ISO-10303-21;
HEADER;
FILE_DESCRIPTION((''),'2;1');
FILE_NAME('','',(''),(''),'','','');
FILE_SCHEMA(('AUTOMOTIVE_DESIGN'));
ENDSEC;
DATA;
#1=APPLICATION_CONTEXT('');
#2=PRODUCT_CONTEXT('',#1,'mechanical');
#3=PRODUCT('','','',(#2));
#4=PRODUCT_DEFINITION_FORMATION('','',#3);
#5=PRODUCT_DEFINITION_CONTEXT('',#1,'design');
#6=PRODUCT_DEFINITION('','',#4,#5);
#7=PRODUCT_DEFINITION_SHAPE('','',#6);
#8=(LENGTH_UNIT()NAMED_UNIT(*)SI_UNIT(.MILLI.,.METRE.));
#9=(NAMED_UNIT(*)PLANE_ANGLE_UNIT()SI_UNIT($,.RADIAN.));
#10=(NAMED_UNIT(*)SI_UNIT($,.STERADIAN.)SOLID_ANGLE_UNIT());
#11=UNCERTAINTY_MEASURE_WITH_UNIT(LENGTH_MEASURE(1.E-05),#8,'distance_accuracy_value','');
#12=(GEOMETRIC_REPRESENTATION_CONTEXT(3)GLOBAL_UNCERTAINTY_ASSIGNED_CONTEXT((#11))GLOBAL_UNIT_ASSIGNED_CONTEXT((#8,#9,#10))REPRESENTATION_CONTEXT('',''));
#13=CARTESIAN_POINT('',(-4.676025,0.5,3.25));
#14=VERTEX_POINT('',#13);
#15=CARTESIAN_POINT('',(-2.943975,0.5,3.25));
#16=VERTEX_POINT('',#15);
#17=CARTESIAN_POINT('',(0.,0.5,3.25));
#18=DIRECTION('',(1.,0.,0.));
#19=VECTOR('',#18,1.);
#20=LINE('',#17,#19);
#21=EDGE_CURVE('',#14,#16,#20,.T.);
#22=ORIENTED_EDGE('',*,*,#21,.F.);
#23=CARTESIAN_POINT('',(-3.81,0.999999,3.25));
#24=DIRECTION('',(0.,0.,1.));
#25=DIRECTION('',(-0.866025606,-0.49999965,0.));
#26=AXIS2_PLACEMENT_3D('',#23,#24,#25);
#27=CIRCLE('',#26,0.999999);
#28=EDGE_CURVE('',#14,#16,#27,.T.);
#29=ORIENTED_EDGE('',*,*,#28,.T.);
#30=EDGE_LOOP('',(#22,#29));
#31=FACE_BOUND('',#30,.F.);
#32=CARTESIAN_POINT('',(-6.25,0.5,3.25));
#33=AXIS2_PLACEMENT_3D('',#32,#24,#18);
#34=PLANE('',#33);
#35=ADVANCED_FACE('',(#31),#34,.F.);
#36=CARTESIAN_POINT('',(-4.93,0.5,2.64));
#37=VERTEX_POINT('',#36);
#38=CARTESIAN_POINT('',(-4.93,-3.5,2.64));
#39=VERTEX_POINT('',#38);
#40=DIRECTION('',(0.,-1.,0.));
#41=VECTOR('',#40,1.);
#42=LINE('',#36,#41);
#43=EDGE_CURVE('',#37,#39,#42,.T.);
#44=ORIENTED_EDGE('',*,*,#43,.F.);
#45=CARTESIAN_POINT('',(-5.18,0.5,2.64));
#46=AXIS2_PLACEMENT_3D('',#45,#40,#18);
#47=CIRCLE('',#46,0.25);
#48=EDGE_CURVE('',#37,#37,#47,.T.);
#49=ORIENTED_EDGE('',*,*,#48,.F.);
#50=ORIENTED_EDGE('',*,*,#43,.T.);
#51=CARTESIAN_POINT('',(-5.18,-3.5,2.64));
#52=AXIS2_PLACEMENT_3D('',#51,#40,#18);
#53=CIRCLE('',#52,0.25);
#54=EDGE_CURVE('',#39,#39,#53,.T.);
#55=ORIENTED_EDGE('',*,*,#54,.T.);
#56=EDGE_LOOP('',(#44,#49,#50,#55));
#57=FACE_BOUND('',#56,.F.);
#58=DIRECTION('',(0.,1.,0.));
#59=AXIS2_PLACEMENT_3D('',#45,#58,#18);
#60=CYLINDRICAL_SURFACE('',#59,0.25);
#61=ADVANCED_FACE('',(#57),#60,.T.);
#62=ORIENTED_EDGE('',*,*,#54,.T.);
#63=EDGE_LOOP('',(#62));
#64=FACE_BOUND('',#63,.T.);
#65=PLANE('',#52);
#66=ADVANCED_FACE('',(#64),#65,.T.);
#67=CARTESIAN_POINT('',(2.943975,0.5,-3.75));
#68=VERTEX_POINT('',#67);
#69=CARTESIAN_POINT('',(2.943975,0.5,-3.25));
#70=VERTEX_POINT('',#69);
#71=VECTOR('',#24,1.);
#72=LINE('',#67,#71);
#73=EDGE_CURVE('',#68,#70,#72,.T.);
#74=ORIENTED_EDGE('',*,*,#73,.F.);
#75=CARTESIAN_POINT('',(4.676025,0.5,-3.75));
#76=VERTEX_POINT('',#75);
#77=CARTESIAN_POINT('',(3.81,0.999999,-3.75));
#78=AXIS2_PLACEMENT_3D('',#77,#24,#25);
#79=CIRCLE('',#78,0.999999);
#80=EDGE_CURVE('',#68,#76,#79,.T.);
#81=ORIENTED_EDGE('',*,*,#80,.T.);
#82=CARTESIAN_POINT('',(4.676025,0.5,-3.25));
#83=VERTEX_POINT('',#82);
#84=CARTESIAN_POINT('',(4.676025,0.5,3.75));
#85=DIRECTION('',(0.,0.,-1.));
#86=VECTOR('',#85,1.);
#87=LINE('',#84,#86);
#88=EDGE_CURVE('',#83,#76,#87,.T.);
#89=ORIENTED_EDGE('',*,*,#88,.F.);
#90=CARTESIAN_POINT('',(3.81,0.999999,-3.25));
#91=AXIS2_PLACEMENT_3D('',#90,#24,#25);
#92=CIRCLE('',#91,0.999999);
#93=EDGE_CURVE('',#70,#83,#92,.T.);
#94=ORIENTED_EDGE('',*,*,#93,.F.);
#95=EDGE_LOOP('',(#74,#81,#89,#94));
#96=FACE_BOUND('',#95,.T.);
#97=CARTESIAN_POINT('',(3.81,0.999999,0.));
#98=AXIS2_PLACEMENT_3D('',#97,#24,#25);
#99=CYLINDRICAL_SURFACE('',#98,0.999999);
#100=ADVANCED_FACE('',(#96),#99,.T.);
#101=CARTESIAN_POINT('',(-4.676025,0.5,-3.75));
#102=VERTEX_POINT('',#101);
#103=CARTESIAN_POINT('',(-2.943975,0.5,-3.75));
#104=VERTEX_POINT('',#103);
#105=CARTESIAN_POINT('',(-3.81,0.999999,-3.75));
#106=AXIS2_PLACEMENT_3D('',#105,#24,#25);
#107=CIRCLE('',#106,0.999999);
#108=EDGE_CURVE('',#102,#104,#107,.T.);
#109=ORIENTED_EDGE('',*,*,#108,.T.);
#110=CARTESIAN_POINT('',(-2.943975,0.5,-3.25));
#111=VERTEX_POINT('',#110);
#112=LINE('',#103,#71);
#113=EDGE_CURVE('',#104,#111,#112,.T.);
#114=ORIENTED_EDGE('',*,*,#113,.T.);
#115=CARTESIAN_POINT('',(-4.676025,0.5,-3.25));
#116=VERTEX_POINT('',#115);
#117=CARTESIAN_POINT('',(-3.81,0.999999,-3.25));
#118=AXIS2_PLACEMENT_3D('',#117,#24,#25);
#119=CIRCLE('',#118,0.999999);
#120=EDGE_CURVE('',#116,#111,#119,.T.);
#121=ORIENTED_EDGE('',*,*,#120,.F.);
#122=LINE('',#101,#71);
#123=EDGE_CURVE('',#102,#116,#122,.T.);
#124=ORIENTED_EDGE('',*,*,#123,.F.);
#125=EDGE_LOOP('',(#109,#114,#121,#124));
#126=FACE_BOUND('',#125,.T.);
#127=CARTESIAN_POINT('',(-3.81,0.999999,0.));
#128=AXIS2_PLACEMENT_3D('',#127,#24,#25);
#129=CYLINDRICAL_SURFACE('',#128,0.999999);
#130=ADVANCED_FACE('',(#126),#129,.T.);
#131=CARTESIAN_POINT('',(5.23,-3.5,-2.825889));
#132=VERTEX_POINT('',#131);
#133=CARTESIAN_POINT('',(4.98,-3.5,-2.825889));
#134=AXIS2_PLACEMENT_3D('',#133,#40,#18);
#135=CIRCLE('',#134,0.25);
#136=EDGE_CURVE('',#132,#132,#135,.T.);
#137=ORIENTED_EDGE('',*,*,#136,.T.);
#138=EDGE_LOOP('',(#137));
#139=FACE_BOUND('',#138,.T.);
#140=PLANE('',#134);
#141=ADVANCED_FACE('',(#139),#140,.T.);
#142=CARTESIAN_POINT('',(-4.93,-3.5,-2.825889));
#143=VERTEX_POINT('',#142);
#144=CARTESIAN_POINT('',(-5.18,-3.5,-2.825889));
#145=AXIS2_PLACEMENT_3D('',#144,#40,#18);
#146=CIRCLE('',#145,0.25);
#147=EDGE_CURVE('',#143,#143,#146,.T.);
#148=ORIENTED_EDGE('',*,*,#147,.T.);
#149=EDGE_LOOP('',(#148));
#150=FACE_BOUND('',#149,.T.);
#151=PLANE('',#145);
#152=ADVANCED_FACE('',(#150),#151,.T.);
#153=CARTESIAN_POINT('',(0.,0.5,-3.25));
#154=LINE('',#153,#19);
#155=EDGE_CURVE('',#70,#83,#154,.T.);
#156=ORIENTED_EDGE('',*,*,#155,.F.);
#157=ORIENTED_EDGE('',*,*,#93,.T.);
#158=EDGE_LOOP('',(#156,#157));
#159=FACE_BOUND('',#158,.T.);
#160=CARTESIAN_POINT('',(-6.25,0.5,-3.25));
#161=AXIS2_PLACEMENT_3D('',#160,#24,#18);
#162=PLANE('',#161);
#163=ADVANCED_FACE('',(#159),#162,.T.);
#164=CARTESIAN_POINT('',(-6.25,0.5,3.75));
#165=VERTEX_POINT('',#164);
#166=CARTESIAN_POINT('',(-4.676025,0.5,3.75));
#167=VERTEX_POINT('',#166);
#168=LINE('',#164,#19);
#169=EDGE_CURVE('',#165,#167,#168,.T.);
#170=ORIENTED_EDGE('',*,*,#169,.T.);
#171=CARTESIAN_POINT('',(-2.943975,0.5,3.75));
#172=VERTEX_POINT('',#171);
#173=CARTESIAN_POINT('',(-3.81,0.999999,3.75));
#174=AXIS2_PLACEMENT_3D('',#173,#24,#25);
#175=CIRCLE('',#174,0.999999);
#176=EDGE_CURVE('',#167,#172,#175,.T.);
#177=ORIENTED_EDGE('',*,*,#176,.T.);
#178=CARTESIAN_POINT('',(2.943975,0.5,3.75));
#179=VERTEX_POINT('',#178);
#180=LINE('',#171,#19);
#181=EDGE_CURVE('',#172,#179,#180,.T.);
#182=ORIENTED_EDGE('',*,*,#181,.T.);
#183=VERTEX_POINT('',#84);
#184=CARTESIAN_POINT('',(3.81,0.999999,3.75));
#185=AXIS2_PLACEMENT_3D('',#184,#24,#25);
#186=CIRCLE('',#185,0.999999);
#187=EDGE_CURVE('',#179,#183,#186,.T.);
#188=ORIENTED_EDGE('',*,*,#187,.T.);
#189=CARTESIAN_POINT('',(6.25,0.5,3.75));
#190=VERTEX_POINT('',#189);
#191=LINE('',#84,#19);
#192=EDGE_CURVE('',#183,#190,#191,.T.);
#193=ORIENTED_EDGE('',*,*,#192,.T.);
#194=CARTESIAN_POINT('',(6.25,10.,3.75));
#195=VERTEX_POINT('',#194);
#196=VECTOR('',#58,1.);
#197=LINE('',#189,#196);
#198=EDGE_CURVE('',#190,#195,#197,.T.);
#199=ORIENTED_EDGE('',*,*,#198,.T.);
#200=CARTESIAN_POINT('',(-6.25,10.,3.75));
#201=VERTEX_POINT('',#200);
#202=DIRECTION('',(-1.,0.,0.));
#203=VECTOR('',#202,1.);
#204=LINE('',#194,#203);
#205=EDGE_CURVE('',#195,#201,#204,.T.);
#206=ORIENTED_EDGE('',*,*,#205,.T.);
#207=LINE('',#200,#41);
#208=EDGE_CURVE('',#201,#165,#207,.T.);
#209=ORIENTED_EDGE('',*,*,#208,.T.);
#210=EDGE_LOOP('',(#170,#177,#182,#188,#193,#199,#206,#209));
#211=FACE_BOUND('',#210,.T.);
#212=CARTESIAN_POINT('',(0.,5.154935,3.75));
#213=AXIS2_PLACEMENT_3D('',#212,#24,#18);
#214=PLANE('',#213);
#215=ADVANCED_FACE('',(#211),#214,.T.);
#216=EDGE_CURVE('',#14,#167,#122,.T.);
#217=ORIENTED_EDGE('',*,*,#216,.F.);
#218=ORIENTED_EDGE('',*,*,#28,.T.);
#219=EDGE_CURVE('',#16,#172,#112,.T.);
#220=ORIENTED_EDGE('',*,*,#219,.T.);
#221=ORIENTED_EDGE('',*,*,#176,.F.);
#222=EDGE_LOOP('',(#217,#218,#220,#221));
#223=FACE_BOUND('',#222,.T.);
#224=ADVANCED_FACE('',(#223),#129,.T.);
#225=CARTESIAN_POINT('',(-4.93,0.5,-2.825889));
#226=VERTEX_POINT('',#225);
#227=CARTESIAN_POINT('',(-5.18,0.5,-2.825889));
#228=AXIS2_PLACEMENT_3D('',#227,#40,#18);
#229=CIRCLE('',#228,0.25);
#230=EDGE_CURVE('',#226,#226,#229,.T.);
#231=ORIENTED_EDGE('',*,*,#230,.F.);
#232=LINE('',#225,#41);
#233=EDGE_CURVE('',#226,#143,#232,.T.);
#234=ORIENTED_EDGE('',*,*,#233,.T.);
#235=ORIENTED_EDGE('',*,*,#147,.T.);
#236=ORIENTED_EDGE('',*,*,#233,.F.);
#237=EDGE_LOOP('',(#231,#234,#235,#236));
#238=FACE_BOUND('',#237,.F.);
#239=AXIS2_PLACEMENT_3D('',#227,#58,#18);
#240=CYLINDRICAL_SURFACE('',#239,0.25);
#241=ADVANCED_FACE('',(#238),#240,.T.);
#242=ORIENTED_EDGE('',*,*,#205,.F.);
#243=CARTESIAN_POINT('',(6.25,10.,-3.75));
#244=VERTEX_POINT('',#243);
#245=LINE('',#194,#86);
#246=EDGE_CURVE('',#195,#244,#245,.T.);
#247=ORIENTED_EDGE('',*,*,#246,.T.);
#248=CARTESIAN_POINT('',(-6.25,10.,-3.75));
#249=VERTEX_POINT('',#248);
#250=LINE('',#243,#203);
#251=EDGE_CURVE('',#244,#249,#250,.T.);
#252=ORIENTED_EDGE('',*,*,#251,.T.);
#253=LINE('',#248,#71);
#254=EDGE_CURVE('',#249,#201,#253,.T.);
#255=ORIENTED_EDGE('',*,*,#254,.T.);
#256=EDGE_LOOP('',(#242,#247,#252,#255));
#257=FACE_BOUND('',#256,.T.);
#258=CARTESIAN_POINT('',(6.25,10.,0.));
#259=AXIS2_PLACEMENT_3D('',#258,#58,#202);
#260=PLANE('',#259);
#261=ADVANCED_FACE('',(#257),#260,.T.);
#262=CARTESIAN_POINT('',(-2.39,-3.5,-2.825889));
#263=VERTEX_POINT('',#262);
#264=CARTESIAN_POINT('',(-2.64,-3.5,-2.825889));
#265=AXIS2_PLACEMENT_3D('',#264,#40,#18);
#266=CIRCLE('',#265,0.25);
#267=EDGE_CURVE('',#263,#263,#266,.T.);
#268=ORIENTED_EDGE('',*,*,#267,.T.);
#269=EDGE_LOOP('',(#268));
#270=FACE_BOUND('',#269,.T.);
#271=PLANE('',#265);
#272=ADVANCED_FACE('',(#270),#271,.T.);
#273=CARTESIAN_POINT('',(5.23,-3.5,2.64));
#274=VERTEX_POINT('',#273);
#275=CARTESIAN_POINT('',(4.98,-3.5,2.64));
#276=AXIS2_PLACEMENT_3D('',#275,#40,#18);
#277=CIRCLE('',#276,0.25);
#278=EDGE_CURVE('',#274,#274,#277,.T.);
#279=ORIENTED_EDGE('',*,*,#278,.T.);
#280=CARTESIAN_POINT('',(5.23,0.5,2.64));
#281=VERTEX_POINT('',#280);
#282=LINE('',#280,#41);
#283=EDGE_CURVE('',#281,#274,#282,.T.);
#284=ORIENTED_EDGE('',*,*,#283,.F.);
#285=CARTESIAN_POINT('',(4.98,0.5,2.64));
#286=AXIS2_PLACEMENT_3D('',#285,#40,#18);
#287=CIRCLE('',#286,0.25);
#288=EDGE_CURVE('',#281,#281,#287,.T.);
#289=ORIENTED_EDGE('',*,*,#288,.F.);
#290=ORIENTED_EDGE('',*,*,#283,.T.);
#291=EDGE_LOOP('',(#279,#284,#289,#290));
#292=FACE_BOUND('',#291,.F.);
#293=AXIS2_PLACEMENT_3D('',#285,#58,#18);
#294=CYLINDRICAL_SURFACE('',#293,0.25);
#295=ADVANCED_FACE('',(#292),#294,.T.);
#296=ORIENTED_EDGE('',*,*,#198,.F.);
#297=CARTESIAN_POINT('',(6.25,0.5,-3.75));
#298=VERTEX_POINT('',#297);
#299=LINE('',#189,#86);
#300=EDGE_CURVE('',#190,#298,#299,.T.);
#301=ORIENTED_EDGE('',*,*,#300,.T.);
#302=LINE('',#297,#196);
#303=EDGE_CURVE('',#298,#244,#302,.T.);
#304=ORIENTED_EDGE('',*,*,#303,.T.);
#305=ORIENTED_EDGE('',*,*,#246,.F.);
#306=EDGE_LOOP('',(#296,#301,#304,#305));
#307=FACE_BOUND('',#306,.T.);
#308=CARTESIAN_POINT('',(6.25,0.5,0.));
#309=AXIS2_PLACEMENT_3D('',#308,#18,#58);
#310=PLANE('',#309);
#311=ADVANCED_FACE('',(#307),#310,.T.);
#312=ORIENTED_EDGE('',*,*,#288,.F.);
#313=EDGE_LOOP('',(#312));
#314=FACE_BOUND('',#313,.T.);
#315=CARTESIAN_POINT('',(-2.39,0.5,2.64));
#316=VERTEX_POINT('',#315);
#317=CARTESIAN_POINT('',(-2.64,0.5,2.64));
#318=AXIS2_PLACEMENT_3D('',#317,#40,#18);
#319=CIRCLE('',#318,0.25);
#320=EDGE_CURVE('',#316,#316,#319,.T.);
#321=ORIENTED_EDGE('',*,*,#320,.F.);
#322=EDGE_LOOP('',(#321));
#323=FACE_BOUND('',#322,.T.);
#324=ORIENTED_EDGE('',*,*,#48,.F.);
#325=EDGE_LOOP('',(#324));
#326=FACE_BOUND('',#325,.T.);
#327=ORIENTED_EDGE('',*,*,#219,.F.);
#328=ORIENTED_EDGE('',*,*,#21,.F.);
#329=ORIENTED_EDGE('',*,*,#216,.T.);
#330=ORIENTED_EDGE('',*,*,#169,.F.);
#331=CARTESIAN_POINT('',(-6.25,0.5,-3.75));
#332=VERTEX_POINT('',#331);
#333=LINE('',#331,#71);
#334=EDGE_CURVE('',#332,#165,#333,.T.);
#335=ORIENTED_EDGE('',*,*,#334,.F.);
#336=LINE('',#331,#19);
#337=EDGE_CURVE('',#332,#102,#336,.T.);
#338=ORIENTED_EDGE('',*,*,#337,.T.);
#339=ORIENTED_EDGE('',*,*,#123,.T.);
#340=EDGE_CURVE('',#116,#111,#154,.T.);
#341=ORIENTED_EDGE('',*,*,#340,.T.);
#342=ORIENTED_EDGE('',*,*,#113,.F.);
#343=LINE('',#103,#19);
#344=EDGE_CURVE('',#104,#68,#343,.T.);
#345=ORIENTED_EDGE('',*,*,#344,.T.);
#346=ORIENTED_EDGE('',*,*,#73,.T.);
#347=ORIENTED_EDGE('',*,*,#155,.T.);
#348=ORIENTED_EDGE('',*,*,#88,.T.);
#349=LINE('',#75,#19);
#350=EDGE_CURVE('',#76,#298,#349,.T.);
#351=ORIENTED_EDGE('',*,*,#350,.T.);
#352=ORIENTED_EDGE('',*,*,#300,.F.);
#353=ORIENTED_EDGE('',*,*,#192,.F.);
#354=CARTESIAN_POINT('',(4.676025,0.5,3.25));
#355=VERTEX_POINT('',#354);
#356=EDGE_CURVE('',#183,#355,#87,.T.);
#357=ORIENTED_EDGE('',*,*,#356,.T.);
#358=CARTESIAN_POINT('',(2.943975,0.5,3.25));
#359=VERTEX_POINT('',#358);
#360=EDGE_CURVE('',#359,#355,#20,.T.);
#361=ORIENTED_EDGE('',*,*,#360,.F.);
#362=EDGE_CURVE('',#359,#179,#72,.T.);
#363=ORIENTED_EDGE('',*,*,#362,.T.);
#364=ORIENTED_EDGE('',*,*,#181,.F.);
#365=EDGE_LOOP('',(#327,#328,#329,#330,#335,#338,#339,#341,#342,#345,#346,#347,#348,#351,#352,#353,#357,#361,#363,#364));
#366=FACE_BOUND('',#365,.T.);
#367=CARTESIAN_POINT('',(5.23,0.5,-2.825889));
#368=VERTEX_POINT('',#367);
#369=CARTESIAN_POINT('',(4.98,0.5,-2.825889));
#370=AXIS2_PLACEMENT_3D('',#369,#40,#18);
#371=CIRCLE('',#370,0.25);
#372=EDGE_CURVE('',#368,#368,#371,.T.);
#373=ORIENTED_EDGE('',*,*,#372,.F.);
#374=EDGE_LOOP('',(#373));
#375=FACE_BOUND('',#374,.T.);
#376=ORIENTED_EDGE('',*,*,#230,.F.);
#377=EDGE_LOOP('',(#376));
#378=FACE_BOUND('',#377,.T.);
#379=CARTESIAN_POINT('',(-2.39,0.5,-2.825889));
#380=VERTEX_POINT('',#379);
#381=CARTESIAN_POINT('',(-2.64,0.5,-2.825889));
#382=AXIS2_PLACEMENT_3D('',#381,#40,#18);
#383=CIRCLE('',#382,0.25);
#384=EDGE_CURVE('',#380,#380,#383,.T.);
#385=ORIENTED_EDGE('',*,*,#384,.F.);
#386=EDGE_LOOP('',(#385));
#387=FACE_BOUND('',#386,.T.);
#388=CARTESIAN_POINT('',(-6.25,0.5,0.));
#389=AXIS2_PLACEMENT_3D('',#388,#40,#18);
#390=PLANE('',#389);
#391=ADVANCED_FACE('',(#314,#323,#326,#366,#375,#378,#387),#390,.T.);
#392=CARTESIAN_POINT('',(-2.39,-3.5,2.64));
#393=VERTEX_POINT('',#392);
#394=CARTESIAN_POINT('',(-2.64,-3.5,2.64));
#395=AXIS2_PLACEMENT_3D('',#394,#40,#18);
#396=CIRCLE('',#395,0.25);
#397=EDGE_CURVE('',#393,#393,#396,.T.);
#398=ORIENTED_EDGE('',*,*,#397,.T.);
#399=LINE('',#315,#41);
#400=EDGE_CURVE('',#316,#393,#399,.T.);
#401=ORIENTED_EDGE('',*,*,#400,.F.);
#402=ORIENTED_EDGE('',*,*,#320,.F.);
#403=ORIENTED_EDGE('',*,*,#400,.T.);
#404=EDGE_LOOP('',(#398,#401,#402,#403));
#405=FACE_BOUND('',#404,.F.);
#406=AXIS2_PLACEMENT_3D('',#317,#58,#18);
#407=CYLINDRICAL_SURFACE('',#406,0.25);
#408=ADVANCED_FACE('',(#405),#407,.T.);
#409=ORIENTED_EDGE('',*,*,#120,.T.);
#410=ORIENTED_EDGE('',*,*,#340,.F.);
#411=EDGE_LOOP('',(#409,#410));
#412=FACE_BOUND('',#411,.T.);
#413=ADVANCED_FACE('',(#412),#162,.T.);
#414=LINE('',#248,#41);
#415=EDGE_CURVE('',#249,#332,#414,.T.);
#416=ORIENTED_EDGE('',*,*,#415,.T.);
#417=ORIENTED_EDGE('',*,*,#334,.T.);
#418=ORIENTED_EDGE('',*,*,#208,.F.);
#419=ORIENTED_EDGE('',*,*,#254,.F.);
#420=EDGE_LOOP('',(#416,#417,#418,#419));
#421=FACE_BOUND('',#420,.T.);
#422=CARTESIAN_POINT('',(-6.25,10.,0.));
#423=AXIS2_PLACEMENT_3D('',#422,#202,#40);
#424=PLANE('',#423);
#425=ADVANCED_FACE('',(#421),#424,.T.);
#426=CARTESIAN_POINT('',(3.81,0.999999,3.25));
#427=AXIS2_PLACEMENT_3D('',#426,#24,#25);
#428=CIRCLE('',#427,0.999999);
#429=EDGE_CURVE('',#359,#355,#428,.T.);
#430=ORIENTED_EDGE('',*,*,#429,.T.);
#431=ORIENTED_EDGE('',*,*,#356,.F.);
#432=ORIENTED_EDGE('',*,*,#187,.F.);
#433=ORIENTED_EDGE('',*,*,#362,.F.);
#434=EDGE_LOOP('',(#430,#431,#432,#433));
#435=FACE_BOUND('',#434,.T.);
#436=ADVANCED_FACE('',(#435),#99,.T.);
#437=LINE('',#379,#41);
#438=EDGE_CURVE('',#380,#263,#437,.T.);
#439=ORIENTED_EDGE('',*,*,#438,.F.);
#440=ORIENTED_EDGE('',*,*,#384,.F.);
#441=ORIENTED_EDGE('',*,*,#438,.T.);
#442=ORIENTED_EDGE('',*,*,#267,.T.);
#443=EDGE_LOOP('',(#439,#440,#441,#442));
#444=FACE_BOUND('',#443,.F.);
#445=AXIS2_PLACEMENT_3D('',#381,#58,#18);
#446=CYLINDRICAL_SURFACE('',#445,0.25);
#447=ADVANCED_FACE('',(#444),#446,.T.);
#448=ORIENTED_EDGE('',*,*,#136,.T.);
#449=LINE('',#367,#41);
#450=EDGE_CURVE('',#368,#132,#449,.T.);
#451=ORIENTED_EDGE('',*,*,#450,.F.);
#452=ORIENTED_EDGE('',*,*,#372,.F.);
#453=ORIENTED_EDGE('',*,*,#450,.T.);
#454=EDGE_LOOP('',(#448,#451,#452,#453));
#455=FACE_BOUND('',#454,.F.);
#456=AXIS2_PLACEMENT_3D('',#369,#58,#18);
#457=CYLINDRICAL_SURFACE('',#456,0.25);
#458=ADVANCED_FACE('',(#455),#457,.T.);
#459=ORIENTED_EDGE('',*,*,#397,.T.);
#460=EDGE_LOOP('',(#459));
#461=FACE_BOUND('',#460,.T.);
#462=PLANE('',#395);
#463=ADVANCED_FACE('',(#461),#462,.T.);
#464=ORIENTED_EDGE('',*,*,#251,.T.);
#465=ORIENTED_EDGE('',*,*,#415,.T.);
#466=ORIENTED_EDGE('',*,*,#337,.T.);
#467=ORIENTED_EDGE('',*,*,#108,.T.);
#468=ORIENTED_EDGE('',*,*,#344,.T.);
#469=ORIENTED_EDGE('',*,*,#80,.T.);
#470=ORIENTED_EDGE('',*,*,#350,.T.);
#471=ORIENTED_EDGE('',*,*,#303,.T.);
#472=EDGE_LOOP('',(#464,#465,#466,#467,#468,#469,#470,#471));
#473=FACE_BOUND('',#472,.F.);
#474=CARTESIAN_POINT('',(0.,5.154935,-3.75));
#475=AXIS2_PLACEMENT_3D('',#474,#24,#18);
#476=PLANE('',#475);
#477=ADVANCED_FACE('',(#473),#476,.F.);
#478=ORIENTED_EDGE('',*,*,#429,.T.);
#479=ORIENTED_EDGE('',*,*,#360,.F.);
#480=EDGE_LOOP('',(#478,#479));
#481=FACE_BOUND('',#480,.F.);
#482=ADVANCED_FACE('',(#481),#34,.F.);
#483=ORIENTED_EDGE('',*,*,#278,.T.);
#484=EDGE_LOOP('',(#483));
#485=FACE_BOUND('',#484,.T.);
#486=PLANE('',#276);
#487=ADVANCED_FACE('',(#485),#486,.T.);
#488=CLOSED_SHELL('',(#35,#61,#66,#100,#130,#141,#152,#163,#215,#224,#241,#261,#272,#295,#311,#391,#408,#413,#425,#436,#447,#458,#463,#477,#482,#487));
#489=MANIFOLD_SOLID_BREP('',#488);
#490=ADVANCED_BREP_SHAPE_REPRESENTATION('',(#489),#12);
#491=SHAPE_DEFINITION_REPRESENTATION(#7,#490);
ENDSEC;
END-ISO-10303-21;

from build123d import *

# Parameters (mm, degrees)
F1_DEPTH      = 3.75
F1_DEPTH_BACK = 3.75
F2_W          = 12.5
F2_H          = 6.5
F3_DEPTH      = 0.501
F4_R          = 0.25
F5_DEPTH      = 4


with BuildPart() as f1:
    # F0 (on Top) → F1 (new body, two sides)
    with BuildSketch(Plane.XY) as f1_sk:
        with BuildLine():
            Line((6.25, 10), (-6.25, 10))
            Line((-6.25, 10), (-6.25, 0.5))
            Line((-6.25, 0.5), (-4.676025, 0.5))
            ThreePointArc((-4.676025, 0.5), (-3.81, 0), (-2.943975, 0.5))
            Line((-2.943975, 0.5), (2.943975, 0.5))
            ThreePointArc((2.943975, 0.5), (3.81, 0), (4.676025, 0.5))
            Line((4.676025, 0.5), (6.25, 0.5))
            Line((6.25, 0.5), (6.25, 10))
        make_face()
    extrude(amount=F1_DEPTH)
    extrude(f1_sk.sketch, amount=-F1_DEPTH_BACK)

    # F2 (on face) → F3 (cut, through all)
    with BuildSketch(Plane.XZ.offset(-0.5)):
        Rectangle(F2_W, F2_H)
    extrude(amount=F3_DEPTH, mode=Mode.SUBTRACT)

    # F4 (on face) → F5 (join)
    with BuildSketch(Plane.XZ.offset(-0.5)):
        with Locations((-5.18, 2.64)):
            Circle(F4_R)
        with Locations((-2.64, 2.64)):
            Circle(F4_R)
        with Locations((4.98, 2.64)):
            Circle(F4_R)
        with Locations((4.98, -2.825889)):
            Circle(F4_R)
        with Locations((-5.18, -2.825889)):
            Circle(F4_R)
        with Locations((-2.64, -2.825889)):
            Circle(F4_R)
    extrude(amount=F5_DEPTH)


solid = f1.part
